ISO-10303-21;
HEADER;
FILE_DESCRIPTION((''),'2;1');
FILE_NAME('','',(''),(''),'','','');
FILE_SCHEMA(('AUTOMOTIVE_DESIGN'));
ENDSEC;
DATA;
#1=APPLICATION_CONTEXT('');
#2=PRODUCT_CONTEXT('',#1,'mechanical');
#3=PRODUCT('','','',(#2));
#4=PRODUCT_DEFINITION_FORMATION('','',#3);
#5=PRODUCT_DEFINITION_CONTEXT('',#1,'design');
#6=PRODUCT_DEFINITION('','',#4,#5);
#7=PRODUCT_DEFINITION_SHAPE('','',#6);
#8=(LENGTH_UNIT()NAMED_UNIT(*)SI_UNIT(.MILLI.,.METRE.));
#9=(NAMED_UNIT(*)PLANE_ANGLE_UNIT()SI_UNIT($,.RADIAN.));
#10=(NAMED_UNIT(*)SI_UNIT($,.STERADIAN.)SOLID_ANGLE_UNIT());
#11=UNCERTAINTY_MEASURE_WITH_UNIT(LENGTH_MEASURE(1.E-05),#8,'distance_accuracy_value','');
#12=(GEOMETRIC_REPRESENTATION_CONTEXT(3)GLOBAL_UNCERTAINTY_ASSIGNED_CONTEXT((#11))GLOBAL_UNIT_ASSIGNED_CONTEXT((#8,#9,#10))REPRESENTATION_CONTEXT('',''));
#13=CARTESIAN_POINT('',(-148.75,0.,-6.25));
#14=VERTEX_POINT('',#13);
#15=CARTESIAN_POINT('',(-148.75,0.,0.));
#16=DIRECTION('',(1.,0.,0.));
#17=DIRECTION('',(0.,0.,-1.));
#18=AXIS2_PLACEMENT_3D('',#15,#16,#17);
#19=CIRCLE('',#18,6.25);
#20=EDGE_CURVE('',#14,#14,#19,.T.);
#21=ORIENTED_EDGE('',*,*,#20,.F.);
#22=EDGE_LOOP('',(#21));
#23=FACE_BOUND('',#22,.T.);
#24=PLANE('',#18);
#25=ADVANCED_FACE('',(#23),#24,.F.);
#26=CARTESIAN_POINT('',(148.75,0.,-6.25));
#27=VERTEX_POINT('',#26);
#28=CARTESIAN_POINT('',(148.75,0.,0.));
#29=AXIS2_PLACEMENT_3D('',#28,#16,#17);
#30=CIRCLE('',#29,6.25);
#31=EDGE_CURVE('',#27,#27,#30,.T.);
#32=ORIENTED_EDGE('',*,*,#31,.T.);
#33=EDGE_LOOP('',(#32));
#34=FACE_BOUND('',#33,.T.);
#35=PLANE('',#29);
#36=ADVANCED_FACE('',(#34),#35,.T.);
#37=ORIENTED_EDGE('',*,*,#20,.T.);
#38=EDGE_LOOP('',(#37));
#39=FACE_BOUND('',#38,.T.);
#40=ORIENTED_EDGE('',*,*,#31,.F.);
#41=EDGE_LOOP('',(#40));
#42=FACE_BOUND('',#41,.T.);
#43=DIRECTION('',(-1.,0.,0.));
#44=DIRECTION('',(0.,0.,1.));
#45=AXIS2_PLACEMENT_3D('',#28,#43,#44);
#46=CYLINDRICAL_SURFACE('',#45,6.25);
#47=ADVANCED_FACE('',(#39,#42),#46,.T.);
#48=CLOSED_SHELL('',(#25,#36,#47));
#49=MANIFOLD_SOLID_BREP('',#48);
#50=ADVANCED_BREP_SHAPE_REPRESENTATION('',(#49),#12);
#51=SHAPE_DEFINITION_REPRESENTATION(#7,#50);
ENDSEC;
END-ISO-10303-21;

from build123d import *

# Parameters (mm, degrees)
SKETCH1_R           = 6.25
BOSS_EXTRUDE1_DEPTH = 148.75


with BuildPart() as part:
    # Sketch1 → Boss-Extrude1 (new body, symmetric)
    with BuildSketch(Plane(origin=(0, 0, 0), x_dir=(0, 0, -1), z_dir=(1, 0, 0))):
        Circle(SKETCH1_R)
    extrude(amount=BOSS_EXTRUDE1_DEPTH, both=True)


solid = part.part
